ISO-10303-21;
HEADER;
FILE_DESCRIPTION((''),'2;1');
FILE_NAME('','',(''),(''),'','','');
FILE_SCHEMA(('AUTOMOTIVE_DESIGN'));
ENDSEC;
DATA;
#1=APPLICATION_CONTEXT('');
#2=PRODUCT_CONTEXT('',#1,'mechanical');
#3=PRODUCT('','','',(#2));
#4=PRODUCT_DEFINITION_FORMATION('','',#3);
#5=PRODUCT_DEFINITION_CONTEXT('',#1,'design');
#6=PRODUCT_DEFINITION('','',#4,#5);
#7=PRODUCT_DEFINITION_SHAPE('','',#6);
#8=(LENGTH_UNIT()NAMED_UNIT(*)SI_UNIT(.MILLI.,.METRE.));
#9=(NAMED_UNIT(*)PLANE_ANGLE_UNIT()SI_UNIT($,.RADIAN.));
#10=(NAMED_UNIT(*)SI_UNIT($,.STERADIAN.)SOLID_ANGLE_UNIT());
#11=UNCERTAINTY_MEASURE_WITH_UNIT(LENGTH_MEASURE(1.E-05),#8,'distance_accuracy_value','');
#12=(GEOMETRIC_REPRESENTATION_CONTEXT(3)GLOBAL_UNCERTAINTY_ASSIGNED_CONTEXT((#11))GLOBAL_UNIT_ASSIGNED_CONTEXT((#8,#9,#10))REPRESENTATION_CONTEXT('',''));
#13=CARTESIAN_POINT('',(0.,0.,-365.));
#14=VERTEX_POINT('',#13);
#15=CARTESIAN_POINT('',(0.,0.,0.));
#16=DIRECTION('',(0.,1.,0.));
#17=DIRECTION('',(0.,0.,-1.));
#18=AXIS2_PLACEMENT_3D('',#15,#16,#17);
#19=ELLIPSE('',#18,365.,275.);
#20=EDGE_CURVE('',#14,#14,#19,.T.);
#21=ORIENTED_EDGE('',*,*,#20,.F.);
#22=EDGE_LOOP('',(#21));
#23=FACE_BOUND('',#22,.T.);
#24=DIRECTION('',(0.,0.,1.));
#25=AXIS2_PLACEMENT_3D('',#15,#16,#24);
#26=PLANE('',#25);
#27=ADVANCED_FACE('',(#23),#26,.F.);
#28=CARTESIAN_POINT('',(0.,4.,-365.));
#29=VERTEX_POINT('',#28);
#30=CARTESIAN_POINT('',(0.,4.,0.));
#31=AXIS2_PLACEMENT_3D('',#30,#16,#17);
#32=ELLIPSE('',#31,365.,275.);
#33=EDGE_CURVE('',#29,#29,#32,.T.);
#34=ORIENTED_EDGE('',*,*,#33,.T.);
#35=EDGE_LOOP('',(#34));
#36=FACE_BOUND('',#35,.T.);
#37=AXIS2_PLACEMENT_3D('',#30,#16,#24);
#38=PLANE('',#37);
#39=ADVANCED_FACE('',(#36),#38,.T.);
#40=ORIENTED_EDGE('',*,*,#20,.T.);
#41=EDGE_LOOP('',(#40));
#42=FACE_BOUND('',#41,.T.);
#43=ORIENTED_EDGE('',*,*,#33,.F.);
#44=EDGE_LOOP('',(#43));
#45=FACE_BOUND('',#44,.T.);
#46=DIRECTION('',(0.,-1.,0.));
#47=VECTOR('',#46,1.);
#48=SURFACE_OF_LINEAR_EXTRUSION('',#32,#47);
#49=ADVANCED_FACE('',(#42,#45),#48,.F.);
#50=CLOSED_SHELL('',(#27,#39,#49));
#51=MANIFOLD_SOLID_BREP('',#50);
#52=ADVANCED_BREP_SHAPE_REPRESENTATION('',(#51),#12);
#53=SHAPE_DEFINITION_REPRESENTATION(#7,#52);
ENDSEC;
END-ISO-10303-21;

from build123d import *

# Parameters (mm, degrees)
SKETCH1_RX          = 365
SKETCH1_RY          = 275
BOSS_EXTRUDE1_DEPTH = 4


with BuildPart() as part:
    # Sketch1 → Boss-Extrude1 (new body)
    with BuildSketch(Plane(origin=(0, 0, 0), x_dir=(1, 0, 0), z_dir=(0, 1, 0))):
        with Locations(Location((0, 0), (0, 0, 90))):
            Ellipse(SKETCH1_RX, SKETCH1_RY)
    extrude(amount=BOSS_EXTRUDE1_DEPTH)


solid = part.part
